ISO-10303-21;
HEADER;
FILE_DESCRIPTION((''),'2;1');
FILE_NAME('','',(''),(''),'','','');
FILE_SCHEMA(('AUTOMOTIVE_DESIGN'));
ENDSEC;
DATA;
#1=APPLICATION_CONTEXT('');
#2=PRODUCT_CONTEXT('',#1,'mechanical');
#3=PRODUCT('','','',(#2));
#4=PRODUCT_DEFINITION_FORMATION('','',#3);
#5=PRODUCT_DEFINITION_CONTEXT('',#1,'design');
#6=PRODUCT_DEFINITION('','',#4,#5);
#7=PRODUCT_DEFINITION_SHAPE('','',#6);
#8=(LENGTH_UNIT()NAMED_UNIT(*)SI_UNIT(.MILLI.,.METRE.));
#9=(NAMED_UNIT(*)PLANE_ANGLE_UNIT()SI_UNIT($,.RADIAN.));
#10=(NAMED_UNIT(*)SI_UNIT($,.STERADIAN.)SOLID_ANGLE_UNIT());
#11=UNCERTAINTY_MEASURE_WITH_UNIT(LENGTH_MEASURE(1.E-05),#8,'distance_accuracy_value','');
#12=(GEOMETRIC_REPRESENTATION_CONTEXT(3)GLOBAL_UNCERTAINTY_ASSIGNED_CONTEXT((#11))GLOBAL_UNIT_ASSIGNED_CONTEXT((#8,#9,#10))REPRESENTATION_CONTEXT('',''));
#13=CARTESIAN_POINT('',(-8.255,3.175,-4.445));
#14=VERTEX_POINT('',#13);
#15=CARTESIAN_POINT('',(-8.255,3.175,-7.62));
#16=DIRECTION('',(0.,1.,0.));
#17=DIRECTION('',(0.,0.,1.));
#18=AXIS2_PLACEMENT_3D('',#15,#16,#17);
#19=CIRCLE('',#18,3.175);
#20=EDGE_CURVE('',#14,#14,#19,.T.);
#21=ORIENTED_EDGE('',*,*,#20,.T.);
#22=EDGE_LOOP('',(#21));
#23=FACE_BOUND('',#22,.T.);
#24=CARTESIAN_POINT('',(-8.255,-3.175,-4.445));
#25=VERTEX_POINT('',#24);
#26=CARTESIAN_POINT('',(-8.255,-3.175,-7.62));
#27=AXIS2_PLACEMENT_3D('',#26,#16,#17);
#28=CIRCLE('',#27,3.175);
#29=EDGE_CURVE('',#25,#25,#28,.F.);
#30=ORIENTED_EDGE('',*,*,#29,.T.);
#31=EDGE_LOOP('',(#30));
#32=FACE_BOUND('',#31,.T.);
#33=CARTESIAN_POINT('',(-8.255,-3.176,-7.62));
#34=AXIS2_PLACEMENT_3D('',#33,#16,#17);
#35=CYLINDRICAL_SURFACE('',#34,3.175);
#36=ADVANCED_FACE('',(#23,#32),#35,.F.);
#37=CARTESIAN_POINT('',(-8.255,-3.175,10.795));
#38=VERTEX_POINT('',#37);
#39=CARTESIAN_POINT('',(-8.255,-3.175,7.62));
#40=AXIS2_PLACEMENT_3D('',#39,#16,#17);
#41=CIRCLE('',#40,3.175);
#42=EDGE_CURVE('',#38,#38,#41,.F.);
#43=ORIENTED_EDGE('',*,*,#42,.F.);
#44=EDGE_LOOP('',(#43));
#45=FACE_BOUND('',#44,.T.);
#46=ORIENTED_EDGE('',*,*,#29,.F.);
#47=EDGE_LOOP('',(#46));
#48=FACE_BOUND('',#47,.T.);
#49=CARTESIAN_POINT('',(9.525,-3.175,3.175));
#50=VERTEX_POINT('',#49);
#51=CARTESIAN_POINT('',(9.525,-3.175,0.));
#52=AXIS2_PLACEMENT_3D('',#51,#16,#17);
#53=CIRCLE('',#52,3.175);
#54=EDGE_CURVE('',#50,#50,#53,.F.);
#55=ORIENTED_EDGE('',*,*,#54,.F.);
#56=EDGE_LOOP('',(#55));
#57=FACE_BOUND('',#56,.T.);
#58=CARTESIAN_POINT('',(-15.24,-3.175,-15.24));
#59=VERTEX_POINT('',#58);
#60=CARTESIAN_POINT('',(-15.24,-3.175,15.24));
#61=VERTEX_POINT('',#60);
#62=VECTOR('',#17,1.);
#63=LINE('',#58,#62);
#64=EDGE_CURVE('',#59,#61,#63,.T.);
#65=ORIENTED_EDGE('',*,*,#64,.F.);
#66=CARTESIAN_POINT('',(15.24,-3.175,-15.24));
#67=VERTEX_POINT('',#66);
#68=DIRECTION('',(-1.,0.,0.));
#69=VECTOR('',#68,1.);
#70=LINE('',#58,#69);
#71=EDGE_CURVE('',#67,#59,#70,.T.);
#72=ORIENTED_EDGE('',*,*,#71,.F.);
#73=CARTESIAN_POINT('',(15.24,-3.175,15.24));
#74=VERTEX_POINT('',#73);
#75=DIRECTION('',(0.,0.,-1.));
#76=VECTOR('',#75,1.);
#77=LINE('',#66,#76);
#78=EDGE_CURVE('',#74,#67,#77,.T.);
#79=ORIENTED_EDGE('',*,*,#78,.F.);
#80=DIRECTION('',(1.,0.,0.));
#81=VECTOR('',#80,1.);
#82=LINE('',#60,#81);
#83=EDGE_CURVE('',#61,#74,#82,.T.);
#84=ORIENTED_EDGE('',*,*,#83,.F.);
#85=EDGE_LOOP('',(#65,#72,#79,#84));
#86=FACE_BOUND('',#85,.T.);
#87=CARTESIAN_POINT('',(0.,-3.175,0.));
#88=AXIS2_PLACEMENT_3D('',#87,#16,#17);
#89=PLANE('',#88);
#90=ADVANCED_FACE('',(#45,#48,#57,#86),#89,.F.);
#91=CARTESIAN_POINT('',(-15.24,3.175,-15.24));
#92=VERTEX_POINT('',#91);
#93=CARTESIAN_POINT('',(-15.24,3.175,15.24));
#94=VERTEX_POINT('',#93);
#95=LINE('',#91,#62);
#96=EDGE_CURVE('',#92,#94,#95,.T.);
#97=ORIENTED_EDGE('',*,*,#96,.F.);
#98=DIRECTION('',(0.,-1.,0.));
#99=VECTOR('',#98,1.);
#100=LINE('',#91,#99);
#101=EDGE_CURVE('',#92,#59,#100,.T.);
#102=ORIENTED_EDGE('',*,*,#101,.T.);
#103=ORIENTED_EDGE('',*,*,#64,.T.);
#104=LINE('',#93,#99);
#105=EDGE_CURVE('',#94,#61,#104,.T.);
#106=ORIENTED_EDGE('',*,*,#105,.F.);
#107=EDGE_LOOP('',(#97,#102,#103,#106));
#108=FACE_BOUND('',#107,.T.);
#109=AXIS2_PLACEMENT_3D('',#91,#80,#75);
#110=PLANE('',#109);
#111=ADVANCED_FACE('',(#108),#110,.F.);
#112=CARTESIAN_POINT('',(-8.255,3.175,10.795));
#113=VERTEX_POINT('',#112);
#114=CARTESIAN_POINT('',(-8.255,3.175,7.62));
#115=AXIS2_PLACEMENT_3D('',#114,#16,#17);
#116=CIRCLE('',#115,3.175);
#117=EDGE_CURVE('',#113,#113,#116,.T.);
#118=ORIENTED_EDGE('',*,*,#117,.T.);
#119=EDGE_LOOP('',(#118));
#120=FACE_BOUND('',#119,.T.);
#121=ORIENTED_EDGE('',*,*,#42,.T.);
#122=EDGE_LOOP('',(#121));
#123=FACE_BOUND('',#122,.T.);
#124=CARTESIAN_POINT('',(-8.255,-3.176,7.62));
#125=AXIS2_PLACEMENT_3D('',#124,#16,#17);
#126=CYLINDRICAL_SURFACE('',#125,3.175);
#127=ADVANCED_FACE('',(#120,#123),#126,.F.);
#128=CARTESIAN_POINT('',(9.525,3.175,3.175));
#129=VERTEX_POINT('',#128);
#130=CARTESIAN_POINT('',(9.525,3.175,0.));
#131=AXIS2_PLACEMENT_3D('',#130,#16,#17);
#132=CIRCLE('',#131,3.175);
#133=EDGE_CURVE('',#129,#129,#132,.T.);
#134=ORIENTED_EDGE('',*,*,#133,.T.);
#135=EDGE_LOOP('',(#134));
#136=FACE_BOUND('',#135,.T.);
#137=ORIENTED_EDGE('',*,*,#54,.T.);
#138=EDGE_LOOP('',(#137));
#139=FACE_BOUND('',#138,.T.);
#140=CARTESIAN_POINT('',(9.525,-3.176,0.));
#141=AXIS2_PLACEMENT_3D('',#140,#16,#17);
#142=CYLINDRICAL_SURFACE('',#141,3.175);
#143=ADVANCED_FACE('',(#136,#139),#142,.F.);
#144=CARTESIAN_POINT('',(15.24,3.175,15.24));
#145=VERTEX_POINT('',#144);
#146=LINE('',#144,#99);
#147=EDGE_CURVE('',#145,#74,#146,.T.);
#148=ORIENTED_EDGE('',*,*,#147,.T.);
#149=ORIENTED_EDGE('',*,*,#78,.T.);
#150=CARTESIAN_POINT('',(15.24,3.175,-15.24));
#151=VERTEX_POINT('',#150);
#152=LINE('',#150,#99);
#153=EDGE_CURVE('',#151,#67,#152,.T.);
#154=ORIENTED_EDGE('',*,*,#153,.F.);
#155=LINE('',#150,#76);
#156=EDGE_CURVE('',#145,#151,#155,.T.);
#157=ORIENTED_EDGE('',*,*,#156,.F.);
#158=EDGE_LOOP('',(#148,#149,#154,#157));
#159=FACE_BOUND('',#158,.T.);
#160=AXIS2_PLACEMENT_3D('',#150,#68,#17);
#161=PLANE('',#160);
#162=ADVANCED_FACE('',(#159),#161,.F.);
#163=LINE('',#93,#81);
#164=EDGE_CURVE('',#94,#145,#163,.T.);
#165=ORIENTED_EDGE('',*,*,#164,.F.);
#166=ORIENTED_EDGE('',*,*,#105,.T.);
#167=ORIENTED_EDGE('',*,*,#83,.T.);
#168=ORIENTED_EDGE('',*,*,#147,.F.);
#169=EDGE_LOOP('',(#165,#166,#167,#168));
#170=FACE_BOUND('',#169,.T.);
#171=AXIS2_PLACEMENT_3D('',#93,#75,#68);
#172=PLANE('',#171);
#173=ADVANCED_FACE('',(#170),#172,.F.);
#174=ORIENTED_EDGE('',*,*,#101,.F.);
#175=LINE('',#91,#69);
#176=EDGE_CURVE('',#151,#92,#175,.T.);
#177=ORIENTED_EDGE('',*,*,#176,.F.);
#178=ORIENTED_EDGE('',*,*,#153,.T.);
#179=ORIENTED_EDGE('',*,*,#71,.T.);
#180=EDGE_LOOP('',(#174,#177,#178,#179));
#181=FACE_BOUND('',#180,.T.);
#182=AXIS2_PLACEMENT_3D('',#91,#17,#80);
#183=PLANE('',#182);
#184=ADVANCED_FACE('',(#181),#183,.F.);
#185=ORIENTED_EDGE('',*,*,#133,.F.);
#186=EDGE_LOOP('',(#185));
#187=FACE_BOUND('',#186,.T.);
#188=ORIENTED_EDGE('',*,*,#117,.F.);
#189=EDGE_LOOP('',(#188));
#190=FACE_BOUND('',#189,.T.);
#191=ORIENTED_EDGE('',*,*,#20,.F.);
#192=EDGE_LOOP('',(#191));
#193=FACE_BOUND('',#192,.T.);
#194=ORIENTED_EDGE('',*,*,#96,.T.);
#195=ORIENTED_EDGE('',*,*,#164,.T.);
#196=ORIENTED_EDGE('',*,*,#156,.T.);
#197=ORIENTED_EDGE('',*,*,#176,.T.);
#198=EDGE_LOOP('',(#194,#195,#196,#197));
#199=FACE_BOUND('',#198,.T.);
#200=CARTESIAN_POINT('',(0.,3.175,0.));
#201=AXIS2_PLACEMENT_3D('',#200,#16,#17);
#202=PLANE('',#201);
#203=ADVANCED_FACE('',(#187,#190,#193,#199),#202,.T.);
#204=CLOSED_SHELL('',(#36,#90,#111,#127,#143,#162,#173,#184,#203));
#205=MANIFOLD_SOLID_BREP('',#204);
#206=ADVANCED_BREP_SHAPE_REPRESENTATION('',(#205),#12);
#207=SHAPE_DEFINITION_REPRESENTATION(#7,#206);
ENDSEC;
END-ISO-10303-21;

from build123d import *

# Parameters (mm, degrees)
SKETCH1_W           = 30.48
SKETCH1_H           = 30.48
BOSS_EXTRUDE1_DEPTH = 3.175
CUT_EXTRUDE1_REACH  = 8.35
SKETCH2_R           = 3.175


with BuildPart() as part:
    # Sketch1 → Boss-Extrude1 (new body, symmetric)
    with BuildSketch(Plane(origin=(0, 0, 0), x_dir=(1, 0, 0), z_dir=(0, 1, 0))):
        Rectangle(SKETCH1_W, SKETCH1_H)
    extrude(amount=BOSS_EXTRUDE1_DEPTH, both=True)

    # Sketch2 → Cut-Extrude1 (cut, up to next)
    with BuildSketch(Plane(origin=(0, 3.175, 0), x_dir=(1, 0, 0), z_dir=(0, 1, 0)), mode=Mode.PRIVATE) as cut_extrude1_sk1:
        with Locations((9.525, 0)):
            Circle(SKETCH2_R)
    cut_extrude1_tool1 = extrude(cut_extrude1_sk1.sketch, amount=-CUT_EXTRUDE1_REACH, mode=Mode.PRIVATE) & part.part
    add(cut_extrude1_tool1.solids().sort_by_distance((9.525, 3.175, 0))[0], mode=Mode.SUBTRACT)
    # Sketch2 → Cut-Extrude1 (cut, up to next)
    with BuildSketch(Plane(origin=(0, 3.175, 0), x_dir=(1, 0, 0), z_dir=(0, 1, 0)), mode=Mode.PRIVATE) as cut_extrude1_sk2:
        with Locations((-8.255, -7.62)):
            Circle(SKETCH2_R)
    cut_extrude1_tool2 = extrude(cut_extrude1_sk2.sketch, amount=-CUT_EXTRUDE1_REACH, mode=Mode.PRIVATE) & part.part
    add(cut_extrude1_tool2.solids().sort_by_distance((-8.255, 3.175, 7.62))[0], mode=Mode.SUBTRACT)
    # Sketch2 → Cut-Extrude1 (cut, up to next)
    with BuildSketch(Plane(origin=(0, 3.175, 0), x_dir=(1, 0, 0), z_dir=(0, 1, 0)), mode=Mode.PRIVATE) as cut_extrude1_sk3:
        with Locations((-8.255, 7.62)):
            Circle(SKETCH2_R)
    cut_extrude1_tool3 = extrude(cut_extrude1_sk3.sketch, amount=-CUT_EXTRUDE1_REACH, mode=Mode.PRIVATE) & part.part
    add(cut_extrude1_tool3.solids().sort_by_distance((-8.255, 3.175, -7.62))[0], mode=Mode.SUBTRACT)


solid = part.part
